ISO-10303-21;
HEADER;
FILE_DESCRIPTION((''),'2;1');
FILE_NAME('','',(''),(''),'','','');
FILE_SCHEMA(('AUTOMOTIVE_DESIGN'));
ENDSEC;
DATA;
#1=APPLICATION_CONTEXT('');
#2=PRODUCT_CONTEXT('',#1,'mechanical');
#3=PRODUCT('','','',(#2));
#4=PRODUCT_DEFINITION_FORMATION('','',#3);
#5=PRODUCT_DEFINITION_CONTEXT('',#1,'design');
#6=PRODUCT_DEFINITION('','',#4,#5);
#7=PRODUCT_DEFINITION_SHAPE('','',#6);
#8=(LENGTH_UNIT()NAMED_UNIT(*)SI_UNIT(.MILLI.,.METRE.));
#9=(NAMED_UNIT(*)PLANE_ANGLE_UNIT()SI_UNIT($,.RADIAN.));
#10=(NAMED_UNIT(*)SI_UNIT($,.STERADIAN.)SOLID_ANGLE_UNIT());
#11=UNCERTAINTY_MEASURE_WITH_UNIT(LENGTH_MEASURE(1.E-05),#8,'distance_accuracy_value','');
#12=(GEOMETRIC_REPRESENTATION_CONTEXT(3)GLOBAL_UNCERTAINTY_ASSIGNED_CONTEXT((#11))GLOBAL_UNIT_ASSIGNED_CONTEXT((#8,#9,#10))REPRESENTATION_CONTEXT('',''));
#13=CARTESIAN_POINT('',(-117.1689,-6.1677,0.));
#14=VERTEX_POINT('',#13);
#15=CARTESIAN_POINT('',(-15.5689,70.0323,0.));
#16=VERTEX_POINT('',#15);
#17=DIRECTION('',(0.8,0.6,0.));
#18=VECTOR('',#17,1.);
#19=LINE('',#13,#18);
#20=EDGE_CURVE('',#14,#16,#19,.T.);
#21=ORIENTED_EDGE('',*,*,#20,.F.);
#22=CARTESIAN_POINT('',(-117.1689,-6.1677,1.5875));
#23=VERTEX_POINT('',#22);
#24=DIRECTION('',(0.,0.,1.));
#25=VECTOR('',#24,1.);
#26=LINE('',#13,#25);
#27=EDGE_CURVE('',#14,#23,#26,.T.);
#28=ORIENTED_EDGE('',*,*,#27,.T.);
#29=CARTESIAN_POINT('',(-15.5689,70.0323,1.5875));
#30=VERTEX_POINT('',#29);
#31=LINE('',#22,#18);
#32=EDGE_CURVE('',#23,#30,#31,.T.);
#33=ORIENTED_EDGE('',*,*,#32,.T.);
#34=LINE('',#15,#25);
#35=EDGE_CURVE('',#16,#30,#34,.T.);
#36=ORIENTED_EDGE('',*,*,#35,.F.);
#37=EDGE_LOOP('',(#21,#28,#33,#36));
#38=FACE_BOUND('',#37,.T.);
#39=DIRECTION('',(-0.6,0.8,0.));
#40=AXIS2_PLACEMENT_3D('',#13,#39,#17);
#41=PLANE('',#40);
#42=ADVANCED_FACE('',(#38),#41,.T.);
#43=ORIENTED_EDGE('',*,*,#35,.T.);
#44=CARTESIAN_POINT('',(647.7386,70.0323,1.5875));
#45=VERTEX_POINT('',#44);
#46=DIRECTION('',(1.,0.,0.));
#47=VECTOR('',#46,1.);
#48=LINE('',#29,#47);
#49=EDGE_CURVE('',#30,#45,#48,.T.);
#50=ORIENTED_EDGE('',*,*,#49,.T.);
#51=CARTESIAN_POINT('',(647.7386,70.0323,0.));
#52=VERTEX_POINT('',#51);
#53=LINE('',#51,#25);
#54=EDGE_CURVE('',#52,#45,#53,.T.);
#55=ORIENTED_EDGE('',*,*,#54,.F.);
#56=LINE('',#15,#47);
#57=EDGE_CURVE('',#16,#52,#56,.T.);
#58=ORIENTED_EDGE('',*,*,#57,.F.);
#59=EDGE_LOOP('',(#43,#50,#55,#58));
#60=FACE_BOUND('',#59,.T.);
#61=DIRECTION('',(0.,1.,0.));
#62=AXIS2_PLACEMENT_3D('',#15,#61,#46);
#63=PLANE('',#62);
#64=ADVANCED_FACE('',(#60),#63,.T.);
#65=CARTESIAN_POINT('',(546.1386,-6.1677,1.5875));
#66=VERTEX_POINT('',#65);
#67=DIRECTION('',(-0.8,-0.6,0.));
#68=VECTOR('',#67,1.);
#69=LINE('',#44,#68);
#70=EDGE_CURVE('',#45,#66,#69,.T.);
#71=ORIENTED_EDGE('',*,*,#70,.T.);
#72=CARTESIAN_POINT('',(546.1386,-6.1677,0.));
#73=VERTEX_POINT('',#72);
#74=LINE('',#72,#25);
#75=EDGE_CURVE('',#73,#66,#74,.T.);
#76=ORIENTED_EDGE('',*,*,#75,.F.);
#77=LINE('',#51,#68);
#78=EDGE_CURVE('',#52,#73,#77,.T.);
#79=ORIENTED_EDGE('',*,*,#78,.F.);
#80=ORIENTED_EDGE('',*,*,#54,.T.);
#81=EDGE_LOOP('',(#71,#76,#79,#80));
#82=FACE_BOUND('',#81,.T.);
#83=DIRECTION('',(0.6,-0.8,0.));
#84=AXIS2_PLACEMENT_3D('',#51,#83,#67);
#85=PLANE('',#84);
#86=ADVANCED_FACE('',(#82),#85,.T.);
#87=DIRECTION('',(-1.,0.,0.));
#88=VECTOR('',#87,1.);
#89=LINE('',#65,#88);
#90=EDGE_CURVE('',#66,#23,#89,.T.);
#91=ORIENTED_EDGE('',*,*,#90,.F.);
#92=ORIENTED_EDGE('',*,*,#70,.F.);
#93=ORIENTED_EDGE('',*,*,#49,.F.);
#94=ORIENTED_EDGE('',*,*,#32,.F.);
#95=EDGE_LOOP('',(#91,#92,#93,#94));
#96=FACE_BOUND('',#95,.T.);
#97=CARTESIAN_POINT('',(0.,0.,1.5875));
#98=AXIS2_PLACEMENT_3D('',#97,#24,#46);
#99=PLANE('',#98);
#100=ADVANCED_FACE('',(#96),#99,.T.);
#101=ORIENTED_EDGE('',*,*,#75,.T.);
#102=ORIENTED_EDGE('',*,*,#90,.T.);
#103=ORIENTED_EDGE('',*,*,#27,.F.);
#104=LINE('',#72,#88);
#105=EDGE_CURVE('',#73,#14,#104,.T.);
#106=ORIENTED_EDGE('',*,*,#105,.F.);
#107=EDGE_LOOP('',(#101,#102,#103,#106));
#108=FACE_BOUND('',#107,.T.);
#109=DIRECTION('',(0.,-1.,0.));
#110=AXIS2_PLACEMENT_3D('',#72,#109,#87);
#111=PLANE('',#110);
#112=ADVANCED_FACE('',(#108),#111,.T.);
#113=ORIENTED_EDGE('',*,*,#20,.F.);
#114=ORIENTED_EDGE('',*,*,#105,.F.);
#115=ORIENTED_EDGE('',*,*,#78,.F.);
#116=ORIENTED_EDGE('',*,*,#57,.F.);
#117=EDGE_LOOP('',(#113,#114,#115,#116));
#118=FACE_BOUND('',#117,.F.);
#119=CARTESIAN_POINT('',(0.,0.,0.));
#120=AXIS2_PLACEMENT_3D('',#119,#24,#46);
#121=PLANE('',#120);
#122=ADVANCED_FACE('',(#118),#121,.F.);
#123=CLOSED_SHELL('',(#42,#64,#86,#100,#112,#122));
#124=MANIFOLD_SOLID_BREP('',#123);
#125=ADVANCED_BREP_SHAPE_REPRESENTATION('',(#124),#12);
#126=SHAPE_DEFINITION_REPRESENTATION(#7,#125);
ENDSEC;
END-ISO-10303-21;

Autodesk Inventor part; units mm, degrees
ref_plane "YZ Plane" through (0, 0, 0) normal (1, 0, 0) x (0, 1, 0)
ref_plane "XZ Plane" through (0, 0, 0) normal (0, 1, 0) x (-1, 0, 0)
ref_plane "XY Plane" through (0, 0, 0) normal (0, 0, 1) x (1, 0, 0)
sketch "Sketch1" plane through (0, 0, 0) normal (0, 0, 1) x (1, 0, 0)
  line L0 (-117.1689, -6.1677) -> (-15.5689, 70.0323)
  line L1 (-15.5689, 70.0323) -> (647.7386, 70.0323)
  line L2 (647.7386, 70.0323) -> (546.1386, -6.1677)
  line L3 (546.1386, -6.1677) -> (-117.1689, -6.1677)
  point P0 (0, 0)
  dimension "d0" = 76.2
  dimension "d1" = 663.3075
  dimension "d2" = 101.6
extrude "Extrusion1" add sketch "Sketch1" along normal blind 1.5875
properties part number "Duct_Outer_Template"
